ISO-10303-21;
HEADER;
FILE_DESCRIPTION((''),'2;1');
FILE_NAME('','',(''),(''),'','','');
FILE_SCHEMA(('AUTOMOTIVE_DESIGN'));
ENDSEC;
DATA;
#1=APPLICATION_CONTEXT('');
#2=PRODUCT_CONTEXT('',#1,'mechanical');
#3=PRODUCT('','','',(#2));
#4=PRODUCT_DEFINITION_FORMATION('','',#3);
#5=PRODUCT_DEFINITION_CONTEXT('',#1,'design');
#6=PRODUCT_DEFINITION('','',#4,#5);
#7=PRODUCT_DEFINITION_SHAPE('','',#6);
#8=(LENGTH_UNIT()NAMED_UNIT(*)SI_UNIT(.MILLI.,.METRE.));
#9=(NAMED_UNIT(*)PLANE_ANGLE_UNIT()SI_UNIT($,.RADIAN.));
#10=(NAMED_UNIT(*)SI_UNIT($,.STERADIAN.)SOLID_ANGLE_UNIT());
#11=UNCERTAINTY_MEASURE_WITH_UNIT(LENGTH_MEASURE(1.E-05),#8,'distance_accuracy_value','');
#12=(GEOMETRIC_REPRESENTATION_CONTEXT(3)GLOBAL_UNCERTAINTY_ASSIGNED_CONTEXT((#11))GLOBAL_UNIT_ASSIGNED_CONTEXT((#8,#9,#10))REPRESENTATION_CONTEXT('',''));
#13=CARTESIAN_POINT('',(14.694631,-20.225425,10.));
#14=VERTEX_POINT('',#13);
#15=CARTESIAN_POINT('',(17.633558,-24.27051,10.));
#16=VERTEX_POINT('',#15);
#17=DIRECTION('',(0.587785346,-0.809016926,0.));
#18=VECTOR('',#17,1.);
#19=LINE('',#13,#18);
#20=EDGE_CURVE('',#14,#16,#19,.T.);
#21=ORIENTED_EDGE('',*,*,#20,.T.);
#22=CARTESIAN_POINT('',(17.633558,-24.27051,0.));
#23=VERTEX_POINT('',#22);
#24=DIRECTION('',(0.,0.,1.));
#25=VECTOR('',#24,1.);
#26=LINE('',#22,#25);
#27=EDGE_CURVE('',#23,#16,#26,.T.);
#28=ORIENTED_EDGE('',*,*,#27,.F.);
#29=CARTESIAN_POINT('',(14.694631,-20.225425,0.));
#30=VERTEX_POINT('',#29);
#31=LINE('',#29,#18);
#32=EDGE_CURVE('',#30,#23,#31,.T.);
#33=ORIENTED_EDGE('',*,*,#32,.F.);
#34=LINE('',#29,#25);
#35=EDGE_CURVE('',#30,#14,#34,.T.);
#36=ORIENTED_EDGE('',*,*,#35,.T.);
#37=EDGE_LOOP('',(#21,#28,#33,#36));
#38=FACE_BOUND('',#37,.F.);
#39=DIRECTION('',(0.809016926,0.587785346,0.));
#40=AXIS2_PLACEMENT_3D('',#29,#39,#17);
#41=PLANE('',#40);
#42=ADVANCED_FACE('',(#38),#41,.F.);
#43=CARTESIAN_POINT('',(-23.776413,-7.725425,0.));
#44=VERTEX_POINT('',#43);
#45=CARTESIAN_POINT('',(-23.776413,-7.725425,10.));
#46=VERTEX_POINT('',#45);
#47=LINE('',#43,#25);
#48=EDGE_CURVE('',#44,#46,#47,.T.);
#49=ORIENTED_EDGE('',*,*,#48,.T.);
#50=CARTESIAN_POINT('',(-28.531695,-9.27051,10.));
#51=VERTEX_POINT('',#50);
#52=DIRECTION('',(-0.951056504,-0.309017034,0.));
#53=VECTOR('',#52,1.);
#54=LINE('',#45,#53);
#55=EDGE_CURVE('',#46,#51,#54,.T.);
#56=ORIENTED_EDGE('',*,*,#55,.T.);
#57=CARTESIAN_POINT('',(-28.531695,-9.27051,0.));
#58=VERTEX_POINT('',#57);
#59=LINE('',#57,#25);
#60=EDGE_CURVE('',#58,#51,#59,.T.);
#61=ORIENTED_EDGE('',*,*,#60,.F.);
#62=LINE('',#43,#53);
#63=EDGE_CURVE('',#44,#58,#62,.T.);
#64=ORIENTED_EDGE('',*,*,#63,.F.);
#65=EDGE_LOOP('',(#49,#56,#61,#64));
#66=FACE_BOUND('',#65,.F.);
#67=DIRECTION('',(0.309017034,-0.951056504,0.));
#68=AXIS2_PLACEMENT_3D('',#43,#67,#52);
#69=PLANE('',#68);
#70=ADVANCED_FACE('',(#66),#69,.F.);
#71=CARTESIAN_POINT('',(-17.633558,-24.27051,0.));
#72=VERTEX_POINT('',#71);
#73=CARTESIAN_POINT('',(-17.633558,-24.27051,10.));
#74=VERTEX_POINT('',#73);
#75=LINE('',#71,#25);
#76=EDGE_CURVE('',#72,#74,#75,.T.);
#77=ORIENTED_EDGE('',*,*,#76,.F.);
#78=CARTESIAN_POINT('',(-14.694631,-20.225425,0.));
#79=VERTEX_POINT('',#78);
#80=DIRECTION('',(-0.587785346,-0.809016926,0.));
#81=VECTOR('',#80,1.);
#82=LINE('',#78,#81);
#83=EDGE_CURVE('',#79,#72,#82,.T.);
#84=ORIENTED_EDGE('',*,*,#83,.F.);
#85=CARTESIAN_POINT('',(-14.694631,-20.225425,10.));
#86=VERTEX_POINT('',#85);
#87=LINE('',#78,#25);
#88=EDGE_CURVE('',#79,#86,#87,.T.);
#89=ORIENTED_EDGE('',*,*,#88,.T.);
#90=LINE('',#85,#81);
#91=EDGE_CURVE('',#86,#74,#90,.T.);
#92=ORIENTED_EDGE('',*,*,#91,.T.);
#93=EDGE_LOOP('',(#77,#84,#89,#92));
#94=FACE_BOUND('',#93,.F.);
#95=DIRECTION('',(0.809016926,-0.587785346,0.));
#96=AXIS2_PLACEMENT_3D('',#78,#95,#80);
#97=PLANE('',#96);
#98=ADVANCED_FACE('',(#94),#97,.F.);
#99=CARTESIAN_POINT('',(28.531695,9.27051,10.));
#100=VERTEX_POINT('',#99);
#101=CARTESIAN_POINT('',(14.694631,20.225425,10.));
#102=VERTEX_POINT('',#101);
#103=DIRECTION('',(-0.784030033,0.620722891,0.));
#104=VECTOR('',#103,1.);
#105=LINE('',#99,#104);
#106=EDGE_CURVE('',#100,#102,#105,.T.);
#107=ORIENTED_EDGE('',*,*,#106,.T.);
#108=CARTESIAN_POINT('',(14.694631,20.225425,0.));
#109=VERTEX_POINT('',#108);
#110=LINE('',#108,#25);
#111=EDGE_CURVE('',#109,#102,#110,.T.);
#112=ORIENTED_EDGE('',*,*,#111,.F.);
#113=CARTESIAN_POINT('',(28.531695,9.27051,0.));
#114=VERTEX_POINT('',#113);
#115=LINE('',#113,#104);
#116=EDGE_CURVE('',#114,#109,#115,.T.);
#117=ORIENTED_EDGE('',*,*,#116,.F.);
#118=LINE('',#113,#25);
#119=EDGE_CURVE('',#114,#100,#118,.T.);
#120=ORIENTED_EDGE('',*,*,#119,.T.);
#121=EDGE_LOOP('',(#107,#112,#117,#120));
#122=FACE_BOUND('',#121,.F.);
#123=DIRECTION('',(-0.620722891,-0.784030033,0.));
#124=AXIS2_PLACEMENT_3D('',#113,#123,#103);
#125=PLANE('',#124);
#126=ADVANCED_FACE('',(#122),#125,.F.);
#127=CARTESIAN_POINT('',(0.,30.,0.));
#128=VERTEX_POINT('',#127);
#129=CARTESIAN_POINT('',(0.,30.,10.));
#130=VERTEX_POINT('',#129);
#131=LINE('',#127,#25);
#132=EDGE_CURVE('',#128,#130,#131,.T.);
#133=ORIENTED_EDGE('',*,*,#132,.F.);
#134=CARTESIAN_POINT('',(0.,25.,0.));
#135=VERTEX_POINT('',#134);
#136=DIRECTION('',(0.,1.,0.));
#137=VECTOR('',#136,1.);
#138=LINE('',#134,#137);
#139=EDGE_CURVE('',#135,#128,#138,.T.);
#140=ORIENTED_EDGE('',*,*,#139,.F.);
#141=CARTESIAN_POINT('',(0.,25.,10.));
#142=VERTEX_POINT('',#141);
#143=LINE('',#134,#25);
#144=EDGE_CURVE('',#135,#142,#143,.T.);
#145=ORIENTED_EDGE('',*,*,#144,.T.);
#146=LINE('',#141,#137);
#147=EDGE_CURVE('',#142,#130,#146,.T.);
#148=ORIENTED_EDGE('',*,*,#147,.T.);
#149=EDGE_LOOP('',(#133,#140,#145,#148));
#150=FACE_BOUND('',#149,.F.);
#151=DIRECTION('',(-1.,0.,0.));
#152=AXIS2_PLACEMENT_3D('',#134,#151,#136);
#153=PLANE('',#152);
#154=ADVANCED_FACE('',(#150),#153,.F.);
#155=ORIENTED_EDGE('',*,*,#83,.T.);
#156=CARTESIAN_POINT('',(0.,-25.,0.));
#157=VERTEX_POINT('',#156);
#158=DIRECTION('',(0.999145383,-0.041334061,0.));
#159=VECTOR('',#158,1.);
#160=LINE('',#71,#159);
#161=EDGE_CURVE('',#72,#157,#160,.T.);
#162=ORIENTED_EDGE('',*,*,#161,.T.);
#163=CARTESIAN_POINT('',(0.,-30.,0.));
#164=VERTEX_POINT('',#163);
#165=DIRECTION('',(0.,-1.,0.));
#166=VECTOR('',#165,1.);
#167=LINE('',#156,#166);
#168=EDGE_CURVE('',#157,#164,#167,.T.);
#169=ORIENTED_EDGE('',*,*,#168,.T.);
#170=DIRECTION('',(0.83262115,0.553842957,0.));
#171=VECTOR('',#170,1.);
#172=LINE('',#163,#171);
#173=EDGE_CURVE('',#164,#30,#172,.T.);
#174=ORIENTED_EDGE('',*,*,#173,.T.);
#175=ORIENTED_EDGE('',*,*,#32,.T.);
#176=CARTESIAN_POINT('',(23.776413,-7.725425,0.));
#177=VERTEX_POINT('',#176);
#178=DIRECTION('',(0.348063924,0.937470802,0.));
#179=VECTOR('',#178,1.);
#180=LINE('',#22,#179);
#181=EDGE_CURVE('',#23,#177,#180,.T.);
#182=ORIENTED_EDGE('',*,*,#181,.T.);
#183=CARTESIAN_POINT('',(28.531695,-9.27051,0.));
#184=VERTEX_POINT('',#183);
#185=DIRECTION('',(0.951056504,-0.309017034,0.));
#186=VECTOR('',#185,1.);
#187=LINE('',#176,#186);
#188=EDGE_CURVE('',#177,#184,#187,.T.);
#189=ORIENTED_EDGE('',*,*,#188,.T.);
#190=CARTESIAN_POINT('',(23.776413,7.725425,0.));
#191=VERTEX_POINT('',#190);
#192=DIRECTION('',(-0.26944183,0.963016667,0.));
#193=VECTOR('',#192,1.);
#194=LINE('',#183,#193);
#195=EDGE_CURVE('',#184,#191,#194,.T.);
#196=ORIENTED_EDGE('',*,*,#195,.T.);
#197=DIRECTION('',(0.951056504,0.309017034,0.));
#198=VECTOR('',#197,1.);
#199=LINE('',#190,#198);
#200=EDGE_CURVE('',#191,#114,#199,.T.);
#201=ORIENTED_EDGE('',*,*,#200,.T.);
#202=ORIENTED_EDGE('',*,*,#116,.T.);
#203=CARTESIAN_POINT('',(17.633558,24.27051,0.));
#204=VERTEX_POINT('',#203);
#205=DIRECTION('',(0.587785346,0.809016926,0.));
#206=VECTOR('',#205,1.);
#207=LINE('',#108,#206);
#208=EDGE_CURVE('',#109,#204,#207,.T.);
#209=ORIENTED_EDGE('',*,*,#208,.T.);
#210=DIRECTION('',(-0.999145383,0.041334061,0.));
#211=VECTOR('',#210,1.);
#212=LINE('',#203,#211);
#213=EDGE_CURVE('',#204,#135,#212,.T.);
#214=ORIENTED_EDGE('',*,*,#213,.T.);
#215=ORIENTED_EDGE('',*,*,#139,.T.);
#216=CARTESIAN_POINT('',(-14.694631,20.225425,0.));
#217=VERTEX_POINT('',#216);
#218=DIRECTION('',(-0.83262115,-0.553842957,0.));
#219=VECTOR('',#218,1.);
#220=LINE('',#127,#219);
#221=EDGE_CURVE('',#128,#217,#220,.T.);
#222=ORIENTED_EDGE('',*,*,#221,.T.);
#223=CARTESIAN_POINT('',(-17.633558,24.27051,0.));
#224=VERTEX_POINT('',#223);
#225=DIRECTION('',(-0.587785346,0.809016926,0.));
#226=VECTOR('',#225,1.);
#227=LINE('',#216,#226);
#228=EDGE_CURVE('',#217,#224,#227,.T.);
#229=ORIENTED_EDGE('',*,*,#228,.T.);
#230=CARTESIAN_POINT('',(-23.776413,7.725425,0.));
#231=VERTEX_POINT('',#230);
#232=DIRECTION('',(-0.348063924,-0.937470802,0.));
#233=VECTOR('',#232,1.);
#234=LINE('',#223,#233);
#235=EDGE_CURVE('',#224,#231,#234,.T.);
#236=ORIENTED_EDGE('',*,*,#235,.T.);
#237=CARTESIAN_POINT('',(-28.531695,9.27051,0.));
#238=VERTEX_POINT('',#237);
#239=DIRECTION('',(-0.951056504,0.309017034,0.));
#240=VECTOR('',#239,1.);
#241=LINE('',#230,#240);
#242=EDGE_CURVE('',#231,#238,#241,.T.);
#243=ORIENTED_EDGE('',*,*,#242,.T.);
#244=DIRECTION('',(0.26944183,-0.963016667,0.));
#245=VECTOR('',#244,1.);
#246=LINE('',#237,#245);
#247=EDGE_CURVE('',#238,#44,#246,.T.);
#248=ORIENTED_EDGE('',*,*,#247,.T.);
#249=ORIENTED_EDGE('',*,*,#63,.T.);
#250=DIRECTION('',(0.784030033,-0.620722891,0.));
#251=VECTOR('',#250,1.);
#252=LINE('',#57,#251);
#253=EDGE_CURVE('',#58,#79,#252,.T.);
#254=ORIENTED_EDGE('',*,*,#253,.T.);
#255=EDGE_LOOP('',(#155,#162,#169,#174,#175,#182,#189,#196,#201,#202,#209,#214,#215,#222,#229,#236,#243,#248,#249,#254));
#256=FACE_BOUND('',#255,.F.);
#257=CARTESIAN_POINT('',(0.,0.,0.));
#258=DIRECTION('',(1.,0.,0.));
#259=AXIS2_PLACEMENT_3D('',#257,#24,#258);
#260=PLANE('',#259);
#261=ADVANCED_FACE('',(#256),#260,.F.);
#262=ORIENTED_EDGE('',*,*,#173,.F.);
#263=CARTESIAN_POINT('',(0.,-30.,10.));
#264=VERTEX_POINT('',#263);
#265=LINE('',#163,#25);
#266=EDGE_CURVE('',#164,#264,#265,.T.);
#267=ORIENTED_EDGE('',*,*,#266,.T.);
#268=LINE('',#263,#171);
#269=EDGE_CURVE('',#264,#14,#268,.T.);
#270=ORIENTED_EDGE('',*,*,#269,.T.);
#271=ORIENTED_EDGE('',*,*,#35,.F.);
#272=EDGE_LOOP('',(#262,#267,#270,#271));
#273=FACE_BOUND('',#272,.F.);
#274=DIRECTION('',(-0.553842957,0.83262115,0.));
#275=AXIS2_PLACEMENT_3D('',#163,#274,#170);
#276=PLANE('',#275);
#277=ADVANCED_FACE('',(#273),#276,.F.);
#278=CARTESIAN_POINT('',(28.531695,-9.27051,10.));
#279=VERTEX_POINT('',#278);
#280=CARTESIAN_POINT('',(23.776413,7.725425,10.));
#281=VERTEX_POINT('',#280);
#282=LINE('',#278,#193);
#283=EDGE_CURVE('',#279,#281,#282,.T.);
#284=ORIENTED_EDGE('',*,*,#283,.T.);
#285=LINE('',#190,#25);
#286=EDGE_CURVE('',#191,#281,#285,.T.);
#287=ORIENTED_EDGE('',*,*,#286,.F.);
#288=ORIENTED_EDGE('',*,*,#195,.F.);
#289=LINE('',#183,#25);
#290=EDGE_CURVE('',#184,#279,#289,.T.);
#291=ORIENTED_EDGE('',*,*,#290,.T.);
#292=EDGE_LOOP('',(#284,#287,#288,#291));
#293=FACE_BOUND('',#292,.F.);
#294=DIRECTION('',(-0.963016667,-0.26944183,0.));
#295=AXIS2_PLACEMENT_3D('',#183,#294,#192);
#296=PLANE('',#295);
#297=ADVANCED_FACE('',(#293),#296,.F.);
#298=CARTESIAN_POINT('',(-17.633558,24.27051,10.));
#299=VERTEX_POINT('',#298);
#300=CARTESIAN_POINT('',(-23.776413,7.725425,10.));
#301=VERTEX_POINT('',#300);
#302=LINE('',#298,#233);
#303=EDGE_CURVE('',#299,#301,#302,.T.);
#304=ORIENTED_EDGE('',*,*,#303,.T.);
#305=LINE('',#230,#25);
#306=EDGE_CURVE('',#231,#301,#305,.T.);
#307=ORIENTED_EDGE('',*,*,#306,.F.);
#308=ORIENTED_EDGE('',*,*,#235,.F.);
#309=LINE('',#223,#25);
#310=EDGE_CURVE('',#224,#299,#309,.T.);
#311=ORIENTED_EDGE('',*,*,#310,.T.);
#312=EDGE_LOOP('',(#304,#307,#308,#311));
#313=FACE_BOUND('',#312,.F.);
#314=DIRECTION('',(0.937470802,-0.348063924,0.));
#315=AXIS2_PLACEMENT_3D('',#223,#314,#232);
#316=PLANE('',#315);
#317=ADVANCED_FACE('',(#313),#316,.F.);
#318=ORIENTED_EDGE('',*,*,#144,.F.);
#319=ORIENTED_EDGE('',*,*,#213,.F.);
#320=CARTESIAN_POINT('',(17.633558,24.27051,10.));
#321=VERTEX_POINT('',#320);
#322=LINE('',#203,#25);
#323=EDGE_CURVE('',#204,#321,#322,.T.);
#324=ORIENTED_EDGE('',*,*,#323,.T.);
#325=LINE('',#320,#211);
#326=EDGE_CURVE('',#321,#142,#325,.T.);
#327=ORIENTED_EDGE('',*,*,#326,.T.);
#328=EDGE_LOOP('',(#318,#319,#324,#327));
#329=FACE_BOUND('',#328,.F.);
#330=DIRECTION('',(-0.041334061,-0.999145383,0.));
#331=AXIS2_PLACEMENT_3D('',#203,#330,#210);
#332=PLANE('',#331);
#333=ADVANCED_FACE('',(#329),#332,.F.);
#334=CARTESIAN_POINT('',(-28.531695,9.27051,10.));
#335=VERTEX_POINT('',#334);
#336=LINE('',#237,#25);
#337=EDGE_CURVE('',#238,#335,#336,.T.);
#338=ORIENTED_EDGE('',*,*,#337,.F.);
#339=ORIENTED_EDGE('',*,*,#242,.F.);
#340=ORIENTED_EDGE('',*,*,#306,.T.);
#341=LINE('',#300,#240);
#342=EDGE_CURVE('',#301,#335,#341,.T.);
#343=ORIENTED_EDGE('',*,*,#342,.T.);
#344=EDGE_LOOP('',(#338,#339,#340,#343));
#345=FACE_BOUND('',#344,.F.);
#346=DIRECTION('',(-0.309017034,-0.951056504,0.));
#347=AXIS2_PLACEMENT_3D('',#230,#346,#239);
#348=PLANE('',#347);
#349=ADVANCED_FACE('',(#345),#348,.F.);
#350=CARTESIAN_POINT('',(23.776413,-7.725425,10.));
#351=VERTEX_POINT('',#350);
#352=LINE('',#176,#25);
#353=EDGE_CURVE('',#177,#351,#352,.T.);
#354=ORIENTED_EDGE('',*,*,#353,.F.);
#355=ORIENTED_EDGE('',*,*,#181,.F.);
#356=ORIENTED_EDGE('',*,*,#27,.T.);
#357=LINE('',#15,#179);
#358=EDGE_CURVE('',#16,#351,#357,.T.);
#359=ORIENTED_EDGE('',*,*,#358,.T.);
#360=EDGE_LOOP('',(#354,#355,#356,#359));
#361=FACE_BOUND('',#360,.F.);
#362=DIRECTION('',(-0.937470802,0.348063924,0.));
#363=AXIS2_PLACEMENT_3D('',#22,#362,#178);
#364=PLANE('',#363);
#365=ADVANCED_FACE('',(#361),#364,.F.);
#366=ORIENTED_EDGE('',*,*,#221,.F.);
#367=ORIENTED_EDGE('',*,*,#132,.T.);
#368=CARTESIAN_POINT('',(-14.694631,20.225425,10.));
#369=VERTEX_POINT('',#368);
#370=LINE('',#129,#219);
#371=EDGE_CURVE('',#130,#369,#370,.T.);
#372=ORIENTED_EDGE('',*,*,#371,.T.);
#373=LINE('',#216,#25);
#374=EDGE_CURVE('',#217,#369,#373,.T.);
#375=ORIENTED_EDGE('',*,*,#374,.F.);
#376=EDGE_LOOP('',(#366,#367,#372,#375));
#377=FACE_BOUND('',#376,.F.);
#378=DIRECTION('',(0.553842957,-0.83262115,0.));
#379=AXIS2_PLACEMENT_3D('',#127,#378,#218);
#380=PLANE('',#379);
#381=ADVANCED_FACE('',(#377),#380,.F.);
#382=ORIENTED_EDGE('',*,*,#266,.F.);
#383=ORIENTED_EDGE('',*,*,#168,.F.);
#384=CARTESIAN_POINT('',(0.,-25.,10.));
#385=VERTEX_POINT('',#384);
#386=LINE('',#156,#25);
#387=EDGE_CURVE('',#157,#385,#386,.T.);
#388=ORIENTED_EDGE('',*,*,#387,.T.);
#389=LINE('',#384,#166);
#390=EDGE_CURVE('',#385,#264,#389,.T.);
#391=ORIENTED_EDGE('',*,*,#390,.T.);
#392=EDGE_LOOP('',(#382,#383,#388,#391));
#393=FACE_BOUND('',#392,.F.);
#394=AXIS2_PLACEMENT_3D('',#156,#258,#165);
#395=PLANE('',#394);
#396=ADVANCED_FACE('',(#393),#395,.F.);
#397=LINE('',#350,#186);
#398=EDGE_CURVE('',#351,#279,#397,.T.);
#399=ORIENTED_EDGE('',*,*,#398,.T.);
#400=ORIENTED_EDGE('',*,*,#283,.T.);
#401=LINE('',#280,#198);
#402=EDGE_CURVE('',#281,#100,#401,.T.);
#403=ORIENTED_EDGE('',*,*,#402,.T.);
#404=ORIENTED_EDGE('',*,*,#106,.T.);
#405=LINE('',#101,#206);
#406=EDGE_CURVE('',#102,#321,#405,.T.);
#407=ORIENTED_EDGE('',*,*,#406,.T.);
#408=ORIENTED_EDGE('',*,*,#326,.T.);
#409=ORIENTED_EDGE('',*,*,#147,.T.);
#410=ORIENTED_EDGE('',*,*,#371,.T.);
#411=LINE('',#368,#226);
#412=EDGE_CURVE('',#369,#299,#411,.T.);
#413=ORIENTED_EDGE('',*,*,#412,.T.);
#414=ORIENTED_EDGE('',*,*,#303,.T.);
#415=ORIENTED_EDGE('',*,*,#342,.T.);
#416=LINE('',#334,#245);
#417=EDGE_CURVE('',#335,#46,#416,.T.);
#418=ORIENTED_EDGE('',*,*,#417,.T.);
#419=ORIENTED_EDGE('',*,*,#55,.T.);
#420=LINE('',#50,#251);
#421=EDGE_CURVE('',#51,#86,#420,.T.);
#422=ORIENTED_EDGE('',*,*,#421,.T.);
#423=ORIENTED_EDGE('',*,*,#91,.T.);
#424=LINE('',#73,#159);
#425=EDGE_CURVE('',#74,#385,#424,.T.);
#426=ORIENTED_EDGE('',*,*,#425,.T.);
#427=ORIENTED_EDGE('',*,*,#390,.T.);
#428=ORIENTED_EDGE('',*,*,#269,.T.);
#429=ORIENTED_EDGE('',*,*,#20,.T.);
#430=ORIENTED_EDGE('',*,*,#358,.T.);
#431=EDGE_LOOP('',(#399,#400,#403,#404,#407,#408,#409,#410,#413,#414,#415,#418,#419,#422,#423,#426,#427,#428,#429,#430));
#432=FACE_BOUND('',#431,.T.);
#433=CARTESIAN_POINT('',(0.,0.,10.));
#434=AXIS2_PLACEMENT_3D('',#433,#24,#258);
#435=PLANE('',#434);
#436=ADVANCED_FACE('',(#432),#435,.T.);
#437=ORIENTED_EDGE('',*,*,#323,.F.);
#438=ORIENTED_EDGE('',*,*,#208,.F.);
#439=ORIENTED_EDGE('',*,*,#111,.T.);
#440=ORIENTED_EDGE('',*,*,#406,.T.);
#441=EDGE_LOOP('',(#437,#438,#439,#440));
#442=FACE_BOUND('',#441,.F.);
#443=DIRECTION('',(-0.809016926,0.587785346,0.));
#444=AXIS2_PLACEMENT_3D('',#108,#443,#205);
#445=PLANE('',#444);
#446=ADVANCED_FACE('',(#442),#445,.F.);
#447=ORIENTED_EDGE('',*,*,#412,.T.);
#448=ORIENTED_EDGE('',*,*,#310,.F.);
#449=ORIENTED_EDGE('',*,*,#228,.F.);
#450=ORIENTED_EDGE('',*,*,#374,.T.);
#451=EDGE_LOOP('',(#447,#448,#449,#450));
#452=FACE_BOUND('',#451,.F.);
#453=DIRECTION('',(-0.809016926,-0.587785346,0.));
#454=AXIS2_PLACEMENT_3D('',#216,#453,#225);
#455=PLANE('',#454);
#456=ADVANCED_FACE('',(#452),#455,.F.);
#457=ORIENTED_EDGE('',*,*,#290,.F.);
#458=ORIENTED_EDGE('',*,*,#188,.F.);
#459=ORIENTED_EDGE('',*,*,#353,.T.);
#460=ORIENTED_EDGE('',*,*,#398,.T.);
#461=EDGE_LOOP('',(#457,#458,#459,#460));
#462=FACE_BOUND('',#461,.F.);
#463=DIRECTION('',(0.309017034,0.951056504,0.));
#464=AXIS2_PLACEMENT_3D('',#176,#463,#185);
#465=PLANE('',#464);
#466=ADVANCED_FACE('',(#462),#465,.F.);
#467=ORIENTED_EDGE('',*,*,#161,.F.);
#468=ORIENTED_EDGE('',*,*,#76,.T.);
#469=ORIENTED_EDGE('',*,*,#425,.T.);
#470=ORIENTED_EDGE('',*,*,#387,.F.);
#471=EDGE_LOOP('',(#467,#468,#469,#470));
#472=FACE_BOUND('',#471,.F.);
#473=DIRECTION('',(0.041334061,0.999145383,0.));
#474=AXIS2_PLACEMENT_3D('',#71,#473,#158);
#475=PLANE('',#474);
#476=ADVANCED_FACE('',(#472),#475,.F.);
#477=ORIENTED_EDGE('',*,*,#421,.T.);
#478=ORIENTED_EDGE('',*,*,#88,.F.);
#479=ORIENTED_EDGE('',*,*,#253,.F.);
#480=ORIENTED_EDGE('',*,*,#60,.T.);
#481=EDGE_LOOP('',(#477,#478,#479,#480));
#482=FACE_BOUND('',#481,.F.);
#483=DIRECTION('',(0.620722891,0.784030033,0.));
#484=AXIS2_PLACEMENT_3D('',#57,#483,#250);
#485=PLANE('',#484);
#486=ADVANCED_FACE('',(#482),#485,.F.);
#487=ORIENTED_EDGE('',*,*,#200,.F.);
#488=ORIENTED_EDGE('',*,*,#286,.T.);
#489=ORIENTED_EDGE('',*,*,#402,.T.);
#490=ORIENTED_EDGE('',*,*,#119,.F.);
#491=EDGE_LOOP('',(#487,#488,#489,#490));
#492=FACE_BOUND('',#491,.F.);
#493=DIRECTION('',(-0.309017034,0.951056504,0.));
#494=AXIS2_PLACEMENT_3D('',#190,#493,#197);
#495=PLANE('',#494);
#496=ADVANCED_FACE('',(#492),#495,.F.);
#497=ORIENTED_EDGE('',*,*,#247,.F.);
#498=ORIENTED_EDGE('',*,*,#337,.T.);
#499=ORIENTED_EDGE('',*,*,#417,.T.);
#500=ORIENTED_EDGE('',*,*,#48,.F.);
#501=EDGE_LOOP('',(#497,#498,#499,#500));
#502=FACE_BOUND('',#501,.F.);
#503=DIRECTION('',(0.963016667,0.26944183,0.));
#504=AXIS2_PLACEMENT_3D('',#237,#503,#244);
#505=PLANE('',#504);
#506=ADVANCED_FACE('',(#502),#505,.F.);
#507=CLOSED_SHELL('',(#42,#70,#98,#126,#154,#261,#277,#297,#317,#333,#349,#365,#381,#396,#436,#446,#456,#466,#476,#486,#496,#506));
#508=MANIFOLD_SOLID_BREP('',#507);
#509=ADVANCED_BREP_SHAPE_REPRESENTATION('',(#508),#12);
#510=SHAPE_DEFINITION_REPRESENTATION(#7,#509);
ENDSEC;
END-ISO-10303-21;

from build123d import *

# Parameters (mm, degrees)
F1_DEPTH = 10


with BuildPart() as f1:
    # F0 (on Top) → F1 (new body)
    with BuildSketch(Plane.XY):
        Polygon((0, 25), (0, 30), (-14.694631, 20.225425), (-17.633558, 24.27051), (-23.776413, 7.725425), (-28.531695, 9.27051), (-23.776413, -7.725425), (-28.531695, -9.27051), (-14.694631, -20.225425), (-17.633558, -24.27051), (0, -25), (0, -30), (14.694631, -20.225425), (17.633558, -24.27051), (23.776413, -7.725425), (28.531695, -9.27051), (23.776413, 7.725425), (28.531695, 9.27051), (14.694631, 20.225425), (17.633558, 24.27051), align=None)
    extrude(amount=F1_DEPTH)


solid = f1.part
